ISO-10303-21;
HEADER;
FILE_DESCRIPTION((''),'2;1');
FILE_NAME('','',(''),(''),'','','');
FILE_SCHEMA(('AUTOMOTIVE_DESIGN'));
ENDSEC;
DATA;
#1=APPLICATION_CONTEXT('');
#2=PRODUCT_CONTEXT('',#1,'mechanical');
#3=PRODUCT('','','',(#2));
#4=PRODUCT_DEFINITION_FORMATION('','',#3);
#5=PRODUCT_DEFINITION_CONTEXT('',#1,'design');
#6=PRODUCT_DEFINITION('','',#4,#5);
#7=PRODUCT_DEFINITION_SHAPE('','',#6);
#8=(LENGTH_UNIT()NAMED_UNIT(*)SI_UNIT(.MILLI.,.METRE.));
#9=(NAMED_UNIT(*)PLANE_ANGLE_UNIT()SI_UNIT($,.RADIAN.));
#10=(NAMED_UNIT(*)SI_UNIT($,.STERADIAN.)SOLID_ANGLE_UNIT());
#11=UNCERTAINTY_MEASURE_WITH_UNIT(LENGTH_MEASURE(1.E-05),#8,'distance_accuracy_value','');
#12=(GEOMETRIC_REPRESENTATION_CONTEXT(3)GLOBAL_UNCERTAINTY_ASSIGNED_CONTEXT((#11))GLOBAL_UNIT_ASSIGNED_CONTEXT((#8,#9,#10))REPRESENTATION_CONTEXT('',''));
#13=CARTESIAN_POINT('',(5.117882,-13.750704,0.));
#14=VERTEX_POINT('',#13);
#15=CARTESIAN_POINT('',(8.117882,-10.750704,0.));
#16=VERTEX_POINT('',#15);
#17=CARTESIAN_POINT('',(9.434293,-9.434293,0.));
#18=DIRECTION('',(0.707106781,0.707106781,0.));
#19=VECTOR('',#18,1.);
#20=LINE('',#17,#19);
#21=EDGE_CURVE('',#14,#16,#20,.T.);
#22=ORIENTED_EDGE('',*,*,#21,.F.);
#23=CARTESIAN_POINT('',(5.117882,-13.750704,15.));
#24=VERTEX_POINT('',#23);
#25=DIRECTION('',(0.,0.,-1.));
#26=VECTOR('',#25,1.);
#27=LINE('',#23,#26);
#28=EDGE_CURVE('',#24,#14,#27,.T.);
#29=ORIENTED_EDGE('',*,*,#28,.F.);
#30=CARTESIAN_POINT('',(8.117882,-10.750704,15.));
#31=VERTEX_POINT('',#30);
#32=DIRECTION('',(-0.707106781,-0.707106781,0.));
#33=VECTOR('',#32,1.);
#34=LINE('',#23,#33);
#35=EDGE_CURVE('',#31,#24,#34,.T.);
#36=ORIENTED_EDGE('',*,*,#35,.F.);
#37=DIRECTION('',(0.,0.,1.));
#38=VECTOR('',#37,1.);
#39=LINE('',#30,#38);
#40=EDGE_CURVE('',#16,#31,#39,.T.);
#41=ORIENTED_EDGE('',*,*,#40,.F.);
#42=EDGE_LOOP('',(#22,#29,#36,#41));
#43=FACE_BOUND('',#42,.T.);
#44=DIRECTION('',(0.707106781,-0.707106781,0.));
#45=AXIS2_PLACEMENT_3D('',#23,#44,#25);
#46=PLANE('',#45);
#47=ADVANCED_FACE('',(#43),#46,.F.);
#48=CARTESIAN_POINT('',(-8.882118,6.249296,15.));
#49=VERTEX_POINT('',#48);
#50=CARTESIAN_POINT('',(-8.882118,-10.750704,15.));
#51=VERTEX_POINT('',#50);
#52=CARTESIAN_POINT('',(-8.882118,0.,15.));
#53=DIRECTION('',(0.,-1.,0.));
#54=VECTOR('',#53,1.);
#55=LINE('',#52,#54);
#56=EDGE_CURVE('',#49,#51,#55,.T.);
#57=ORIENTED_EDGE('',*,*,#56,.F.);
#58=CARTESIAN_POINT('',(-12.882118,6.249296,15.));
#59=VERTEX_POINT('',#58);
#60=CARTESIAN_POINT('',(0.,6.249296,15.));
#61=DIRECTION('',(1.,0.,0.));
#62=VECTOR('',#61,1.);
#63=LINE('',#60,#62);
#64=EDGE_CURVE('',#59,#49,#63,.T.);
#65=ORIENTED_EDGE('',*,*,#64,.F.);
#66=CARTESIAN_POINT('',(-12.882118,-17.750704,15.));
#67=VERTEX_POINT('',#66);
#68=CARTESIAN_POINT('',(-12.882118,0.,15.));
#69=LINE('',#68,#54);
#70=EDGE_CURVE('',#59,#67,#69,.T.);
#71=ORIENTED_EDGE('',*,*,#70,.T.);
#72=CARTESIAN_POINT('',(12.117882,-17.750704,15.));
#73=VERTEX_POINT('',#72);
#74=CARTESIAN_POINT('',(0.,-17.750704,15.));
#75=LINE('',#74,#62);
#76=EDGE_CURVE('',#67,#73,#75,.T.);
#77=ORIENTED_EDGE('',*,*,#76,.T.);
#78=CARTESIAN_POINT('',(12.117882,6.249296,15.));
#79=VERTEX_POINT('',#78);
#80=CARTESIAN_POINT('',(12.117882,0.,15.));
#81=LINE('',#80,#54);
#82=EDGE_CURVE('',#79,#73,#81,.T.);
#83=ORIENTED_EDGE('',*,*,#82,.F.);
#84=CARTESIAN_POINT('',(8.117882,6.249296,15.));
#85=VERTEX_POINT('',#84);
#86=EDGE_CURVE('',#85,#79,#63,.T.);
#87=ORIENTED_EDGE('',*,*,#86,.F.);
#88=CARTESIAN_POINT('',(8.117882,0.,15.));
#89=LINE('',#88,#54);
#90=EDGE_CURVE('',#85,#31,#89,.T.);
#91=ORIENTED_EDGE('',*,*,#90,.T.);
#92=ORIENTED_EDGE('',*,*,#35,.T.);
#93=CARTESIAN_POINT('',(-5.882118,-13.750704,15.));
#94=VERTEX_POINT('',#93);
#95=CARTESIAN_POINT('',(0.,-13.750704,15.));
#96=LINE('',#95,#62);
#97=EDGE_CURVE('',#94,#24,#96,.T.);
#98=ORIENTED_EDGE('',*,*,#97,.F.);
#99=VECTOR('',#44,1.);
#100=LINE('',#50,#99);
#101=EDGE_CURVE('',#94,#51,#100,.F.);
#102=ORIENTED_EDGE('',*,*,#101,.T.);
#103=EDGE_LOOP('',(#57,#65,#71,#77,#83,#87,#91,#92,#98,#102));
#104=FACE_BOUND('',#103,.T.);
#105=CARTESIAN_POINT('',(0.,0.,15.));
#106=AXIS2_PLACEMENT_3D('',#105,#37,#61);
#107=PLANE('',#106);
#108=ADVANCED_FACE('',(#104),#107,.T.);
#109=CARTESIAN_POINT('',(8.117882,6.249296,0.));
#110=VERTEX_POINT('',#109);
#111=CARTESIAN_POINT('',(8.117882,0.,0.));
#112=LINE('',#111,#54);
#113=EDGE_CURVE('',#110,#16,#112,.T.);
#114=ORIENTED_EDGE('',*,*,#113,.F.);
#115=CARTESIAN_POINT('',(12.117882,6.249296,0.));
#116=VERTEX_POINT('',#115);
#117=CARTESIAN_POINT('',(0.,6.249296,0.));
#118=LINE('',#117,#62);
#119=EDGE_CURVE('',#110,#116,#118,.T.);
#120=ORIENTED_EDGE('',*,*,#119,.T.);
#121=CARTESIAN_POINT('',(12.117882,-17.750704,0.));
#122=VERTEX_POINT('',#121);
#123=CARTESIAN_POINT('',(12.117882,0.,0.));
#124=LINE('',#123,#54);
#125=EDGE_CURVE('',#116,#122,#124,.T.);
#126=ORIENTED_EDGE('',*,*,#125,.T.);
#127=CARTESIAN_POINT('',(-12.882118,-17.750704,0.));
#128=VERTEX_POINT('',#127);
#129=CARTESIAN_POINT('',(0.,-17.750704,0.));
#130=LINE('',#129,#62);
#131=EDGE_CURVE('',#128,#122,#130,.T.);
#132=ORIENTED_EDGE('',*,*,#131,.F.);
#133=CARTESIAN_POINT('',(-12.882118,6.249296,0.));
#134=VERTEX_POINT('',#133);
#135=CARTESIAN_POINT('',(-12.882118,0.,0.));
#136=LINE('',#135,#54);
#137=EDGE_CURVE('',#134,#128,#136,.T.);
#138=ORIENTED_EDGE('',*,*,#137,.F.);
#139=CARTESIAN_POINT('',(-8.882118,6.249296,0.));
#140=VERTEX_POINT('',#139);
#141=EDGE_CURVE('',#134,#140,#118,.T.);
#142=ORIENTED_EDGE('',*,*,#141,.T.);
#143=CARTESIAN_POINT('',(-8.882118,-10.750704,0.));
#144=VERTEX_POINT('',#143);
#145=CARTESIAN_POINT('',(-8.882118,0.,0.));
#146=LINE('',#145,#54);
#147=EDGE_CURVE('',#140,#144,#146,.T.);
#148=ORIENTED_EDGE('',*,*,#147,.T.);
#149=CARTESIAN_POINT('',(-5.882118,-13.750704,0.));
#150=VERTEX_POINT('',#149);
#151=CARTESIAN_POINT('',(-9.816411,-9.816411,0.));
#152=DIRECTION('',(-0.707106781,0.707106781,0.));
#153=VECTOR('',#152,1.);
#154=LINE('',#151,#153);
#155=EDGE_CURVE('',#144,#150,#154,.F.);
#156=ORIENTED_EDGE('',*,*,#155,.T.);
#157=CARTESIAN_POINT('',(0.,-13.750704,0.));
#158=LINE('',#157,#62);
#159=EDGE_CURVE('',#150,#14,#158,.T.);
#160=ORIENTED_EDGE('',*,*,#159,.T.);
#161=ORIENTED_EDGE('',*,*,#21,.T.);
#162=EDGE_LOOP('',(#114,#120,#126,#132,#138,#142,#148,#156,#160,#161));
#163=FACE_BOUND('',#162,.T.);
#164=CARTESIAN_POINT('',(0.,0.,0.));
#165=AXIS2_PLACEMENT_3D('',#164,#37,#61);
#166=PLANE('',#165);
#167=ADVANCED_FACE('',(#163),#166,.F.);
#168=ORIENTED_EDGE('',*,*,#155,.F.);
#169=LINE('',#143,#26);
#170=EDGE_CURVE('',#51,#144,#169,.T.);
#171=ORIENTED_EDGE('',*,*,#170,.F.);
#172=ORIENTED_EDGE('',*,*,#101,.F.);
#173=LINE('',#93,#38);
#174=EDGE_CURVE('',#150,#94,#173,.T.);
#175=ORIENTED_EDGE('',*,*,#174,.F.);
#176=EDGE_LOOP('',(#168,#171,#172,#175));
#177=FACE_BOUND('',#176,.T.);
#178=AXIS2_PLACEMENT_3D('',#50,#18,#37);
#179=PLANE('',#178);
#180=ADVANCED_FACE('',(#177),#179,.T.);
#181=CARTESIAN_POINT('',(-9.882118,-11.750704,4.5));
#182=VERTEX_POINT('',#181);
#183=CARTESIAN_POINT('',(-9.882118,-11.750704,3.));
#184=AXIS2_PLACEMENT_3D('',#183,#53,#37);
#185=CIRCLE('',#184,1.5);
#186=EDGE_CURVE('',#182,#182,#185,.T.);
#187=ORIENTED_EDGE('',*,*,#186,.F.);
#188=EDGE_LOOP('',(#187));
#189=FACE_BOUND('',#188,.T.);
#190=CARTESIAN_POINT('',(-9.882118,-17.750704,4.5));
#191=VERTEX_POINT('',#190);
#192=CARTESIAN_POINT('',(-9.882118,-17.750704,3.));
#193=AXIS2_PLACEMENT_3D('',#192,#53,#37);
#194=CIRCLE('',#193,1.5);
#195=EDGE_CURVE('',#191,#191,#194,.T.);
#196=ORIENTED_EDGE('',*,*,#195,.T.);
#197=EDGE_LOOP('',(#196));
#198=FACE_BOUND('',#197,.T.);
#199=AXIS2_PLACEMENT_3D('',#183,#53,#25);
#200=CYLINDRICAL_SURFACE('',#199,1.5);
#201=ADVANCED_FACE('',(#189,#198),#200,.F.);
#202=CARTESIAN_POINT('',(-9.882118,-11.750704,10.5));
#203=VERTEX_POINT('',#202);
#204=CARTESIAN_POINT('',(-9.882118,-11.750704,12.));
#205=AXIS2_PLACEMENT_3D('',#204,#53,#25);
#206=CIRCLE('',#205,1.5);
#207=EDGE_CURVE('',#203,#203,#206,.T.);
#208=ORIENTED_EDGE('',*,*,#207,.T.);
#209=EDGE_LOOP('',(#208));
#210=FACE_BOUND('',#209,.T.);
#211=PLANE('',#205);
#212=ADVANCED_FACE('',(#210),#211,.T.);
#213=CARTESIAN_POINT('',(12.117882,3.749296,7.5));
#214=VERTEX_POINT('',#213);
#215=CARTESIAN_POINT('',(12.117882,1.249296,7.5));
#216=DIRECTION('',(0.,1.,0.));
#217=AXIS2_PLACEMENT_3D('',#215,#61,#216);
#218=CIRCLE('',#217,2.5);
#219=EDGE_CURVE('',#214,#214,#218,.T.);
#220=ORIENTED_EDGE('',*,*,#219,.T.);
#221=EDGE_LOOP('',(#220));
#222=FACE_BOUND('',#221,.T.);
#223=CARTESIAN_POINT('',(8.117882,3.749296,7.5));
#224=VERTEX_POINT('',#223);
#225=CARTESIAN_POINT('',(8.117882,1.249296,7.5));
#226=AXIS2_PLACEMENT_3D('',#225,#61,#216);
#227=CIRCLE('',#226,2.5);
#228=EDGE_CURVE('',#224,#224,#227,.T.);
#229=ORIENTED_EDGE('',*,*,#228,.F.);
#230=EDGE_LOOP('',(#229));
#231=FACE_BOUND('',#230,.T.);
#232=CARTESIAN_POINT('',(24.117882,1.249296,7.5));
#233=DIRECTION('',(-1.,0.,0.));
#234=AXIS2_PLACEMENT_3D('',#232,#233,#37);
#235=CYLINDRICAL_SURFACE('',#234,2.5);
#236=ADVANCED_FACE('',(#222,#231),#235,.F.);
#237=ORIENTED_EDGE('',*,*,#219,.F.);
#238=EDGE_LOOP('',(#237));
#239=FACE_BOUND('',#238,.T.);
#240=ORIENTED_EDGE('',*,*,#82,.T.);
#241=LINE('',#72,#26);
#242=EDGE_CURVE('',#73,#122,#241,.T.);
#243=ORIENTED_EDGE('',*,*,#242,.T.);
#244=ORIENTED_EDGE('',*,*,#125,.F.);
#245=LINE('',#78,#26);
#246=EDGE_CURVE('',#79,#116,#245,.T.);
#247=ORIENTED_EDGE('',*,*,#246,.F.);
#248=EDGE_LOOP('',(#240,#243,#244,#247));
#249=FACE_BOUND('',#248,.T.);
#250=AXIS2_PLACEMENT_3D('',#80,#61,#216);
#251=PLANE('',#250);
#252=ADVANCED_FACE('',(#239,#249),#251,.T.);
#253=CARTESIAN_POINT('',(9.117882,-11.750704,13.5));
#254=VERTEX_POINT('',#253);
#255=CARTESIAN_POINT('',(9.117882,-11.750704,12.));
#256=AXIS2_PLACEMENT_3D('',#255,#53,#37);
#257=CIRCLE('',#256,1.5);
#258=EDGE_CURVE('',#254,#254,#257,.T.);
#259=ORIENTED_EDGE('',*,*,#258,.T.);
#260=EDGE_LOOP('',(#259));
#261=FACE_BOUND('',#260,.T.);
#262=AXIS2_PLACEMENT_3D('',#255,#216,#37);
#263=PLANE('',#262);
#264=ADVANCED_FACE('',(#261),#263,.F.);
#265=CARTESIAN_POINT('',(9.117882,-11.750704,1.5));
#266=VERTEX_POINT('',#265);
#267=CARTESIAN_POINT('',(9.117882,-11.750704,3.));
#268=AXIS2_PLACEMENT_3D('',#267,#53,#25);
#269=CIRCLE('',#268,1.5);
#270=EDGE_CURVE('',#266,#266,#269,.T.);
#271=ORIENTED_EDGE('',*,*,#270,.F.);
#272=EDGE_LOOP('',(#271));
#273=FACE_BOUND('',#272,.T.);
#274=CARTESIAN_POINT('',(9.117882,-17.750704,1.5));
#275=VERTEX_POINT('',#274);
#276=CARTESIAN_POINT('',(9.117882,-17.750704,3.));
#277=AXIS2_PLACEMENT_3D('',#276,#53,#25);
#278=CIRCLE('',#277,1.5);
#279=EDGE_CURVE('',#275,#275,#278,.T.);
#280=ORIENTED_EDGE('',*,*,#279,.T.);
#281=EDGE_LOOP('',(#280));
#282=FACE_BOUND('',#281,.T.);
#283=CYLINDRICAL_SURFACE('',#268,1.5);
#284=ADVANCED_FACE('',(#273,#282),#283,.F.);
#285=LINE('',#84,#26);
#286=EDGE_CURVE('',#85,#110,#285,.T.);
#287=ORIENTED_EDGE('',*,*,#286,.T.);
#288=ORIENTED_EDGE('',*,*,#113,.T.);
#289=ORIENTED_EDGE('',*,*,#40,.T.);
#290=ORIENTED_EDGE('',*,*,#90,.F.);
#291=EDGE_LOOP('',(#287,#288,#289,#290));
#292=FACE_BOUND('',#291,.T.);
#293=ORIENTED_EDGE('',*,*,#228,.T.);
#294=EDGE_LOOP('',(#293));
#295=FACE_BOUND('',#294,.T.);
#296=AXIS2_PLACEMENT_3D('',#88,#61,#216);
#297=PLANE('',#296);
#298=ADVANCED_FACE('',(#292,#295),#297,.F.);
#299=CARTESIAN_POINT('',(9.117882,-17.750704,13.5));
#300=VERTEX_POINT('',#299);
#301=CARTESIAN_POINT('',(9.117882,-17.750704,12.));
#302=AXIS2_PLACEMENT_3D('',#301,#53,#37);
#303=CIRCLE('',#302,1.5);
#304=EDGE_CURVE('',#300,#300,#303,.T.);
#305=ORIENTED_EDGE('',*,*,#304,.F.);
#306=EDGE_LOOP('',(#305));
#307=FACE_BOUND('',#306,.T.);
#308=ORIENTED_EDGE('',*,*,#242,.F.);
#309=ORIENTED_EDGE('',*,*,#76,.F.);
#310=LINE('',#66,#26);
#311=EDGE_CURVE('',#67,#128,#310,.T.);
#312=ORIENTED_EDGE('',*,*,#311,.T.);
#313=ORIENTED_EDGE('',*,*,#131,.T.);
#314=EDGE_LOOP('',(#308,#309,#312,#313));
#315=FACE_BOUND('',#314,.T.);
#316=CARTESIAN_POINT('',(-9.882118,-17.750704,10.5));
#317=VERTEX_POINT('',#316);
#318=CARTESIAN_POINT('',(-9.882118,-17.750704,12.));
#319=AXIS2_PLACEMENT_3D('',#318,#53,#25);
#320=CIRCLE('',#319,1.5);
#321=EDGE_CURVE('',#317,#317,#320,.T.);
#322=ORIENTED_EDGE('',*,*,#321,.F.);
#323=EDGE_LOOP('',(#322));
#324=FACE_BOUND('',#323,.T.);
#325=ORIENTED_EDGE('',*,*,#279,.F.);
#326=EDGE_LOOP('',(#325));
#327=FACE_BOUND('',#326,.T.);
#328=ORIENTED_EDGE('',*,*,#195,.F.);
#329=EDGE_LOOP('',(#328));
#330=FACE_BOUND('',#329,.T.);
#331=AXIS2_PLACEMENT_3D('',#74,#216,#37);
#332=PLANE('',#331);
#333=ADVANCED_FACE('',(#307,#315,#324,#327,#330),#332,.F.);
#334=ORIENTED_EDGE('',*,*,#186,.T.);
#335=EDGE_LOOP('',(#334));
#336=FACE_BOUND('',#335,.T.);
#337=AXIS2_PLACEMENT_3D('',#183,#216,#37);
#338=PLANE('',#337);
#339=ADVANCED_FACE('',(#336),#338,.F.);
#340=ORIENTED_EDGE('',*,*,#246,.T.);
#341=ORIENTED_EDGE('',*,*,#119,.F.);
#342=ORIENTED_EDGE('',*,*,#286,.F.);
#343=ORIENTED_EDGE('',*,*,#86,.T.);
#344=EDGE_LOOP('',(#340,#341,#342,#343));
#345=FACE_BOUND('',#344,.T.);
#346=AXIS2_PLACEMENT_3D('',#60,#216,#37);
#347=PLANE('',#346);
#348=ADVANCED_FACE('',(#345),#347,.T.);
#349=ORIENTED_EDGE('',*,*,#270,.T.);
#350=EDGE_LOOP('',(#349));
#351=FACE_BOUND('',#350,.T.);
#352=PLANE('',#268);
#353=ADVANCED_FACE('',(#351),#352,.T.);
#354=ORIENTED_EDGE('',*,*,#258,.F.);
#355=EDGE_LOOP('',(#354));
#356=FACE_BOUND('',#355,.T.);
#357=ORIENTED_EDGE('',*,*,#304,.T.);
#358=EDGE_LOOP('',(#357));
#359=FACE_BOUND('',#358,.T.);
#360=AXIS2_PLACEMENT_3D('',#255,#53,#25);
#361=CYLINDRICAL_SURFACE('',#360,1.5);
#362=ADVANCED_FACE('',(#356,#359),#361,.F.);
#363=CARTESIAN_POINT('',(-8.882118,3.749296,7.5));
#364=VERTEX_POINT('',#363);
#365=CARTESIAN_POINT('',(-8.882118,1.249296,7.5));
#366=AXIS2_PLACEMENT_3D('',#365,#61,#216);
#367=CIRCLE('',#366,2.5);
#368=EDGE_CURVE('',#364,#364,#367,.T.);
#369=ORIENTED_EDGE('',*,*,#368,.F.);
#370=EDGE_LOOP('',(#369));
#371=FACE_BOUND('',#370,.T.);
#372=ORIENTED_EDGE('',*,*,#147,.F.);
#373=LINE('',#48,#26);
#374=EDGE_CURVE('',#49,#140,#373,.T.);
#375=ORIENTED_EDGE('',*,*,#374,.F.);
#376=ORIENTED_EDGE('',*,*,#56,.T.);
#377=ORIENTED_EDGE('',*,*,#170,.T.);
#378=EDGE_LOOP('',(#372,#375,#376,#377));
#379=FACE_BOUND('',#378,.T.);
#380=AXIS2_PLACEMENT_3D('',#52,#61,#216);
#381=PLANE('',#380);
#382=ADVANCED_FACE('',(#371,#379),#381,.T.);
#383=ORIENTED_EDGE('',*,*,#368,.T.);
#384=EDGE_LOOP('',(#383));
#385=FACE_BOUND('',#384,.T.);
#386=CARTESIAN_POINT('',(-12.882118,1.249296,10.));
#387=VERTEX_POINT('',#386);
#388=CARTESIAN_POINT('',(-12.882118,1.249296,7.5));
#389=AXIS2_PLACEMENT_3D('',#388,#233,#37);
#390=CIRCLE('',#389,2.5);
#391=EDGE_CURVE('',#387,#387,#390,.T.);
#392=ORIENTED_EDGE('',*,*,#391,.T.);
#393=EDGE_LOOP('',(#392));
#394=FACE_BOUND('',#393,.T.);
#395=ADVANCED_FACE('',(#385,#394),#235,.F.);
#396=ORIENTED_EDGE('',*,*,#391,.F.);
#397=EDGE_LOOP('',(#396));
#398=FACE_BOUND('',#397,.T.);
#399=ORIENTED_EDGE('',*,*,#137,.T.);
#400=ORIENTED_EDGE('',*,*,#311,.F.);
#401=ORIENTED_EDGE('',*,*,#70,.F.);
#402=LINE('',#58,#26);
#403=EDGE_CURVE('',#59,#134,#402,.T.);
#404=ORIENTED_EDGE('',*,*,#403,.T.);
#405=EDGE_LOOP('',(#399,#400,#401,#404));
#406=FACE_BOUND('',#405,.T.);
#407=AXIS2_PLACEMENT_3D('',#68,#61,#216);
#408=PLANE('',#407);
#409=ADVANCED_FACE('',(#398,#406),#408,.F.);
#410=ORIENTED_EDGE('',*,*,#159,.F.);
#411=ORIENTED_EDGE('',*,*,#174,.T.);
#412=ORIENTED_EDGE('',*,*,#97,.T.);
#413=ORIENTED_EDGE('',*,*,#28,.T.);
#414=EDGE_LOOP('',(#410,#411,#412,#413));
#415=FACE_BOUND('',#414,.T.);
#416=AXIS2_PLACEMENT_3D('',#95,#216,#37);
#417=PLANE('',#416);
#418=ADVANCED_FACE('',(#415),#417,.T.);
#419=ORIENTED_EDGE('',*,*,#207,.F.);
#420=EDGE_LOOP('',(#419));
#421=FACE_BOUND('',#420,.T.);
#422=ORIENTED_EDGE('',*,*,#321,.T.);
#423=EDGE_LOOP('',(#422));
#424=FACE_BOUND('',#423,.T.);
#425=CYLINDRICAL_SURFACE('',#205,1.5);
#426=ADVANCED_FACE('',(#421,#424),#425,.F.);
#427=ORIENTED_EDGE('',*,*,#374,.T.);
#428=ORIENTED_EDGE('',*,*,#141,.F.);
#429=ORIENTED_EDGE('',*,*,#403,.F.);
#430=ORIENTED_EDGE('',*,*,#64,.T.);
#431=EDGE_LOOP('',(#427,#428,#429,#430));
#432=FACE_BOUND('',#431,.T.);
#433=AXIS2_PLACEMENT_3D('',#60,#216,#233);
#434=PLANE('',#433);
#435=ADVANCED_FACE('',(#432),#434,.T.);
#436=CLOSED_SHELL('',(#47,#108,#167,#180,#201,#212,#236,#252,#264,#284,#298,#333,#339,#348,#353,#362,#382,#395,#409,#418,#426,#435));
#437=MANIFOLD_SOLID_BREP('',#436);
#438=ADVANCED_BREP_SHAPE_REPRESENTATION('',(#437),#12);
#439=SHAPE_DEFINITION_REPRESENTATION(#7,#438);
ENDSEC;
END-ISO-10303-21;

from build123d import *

# Parameters (mm, degrees)
BOSS_EXTRUDE1_DEPTH = 15
CHAMFER1_SIZE       = 3
CHAMFER2_SIZE       = 3
SKETCH2_R           = 2.5
CUT_EXTRUDE1_DEPTH  = 37
SKETCH3_R           = 1.5
CUT_EXTRUDE2_DEPTH  = 6


with BuildPart() as part:
    # Sketch1 → Boss-Extrude1 (new body)
    with BuildSketch(Plane.XY):
        Polygon((8.117882489, 6.249295775), (12.117882489, 6.249295775), (12.117882489, -17.750704225), (-12.882117511, -17.750704225), (-12.882117511, 6.249295775), (-8.882117511, 6.249295775), (-8.882117511, -13.750704225), (8.117882489, -13.750704225), align=None)
    extrude(amount=BOSS_EXTRUDE1_DEPTH)

    # Chamfer1
    chamfer1_edges = [part.edges().sort_by_distance(p)[0] for p in [
        (-8.882117511, -13.750704225, 7.5),
    ]]
    chamfer(chamfer1_edges, length=CHAMFER1_SIZE)

    # Chamfer2
    chamfer2_edges = [part.edges().sort_by_distance(p)[0] for p in [
        (8.117882489, -13.750704225, 7.5),
    ]]
    chamfer(chamfer2_edges, length=CHAMFER2_SIZE)

    # Sketch2 → Cut-Extrude1 (cut)
    with BuildSketch(Plane.ZY.offset(12.882117511)):
        with Locations(Location((7.5, 1.249295775, 0), (0, 0, 90))):
            Circle(SKETCH2_R)
    extrude(amount=-CUT_EXTRUDE1_DEPTH, mode=Mode.SUBTRACT)

    # Sketch3 → Cut-Extrude2 (cut)
    with BuildSketch(Plane.XZ.offset(17.750704225)):
        with Locations(Location((-9.882117511, 12, 0), (0, 0, 270))):
            Circle(SKETCH3_R)
        with Locations(Location((-9.882117511, 3, 0), (0, 0, 90))):
            Circle(SKETCH3_R)
        with Locations(Location((9.117882489, 12, 0), (0, 0, 90))):
            Circle(SKETCH3_R)
        with Locations(Location((9.117882489, 3, 0), (0, 0, 270))):
            Circle(SKETCH3_R)
    extrude(amount=-CUT_EXTRUDE2_DEPTH, mode=Mode.SUBTRACT)


solid = part.part
